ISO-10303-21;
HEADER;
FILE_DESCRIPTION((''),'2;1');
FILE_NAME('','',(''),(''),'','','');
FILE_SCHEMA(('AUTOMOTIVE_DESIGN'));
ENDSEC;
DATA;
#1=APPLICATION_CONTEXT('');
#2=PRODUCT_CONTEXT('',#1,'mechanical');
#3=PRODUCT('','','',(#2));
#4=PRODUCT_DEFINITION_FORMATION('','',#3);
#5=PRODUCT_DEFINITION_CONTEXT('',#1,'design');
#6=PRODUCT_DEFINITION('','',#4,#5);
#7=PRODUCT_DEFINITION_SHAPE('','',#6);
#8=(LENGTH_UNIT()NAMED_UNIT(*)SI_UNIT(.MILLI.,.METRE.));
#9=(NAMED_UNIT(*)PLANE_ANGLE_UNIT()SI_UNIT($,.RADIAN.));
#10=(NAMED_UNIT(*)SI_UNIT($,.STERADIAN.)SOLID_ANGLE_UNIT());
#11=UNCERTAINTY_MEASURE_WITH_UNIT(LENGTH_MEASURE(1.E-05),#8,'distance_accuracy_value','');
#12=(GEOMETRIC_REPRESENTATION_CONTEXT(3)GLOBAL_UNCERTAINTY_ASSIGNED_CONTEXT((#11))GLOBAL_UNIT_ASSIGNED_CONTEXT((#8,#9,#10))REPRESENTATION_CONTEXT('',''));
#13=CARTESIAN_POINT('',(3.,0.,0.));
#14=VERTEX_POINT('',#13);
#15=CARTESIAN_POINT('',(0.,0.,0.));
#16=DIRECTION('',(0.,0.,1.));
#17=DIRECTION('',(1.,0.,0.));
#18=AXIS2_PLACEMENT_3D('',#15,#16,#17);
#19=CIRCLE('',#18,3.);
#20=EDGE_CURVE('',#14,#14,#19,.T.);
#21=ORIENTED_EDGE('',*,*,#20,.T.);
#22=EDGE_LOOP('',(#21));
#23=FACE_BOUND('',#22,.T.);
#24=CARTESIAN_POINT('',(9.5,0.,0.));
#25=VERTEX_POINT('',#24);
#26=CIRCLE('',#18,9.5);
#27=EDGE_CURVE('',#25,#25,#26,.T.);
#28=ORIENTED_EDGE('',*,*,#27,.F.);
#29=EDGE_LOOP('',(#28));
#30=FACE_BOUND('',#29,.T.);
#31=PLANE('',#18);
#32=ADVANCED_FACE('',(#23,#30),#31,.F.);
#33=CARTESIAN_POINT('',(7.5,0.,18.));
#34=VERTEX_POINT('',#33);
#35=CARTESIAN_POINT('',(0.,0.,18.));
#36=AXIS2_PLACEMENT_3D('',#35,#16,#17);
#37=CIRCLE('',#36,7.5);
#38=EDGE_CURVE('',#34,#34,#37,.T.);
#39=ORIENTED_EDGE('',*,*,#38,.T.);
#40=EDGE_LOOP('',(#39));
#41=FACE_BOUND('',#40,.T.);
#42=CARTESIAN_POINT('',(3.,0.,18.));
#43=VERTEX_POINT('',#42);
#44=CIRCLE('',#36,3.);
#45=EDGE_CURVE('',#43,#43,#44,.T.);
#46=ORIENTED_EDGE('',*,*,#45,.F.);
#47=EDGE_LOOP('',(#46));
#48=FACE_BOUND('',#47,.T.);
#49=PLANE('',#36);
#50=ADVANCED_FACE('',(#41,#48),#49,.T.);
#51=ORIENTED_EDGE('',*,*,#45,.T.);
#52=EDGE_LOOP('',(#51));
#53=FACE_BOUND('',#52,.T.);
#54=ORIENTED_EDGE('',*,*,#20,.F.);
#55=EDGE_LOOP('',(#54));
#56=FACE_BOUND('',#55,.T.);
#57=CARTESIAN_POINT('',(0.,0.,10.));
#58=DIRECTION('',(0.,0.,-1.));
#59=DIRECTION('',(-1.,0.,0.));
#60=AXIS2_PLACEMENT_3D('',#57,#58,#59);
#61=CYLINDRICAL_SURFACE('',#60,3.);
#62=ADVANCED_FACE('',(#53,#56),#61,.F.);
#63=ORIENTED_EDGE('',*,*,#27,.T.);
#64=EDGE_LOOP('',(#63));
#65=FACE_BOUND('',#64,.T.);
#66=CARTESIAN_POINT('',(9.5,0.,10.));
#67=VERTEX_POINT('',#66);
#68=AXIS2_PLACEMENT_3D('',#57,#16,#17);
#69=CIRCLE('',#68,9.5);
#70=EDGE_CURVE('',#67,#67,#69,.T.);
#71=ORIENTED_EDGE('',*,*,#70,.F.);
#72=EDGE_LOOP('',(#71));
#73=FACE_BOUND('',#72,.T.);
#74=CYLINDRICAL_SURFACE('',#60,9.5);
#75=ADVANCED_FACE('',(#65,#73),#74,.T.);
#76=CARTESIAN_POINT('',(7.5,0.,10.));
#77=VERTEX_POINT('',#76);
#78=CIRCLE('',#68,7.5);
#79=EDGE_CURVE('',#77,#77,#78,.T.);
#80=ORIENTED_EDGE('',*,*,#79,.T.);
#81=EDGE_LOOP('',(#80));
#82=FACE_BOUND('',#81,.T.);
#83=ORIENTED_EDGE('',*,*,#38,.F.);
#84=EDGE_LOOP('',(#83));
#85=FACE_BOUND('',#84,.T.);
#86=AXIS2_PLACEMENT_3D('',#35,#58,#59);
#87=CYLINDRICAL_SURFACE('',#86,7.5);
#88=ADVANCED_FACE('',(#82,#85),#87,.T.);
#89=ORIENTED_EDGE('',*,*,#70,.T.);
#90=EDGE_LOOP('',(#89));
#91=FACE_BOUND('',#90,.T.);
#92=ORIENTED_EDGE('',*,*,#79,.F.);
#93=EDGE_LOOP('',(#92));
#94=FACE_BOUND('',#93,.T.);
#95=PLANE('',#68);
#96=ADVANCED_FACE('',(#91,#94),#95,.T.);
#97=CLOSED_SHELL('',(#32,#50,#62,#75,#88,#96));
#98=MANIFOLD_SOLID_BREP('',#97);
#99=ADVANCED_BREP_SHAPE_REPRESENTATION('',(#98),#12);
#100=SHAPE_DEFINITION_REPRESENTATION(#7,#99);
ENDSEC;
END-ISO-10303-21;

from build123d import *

# Parameters (mm, degrees)
SKETCH_1_R      = 9.5
SKETCH_1_R_2    = 3
EXTRUDE_1_DEPTH = 10
SKETCH_2_R      = 7.5
SKETCH_2_R_2    = 3
EXTRUDE_2_DEPTH = 8


with BuildPart() as part:
    # 草图1 → 凸台-拉伸1 (new body)
    with BuildSketch(Plane.XY):
        Circle(SKETCH_1_R)
        Circle(SKETCH_1_R_2, mode=Mode.SUBTRACT)
    extrude(amount=EXTRUDE_1_DEPTH)

    # 草图2 → 凸台-拉伸2 (add)
    with BuildSketch(Plane.XY.offset(10)):
        Circle(SKETCH_2_R)
        Circle(SKETCH_2_R_2, mode=Mode.SUBTRACT)
    extrude(amount=EXTRUDE_2_DEPTH)


solid = part.part
